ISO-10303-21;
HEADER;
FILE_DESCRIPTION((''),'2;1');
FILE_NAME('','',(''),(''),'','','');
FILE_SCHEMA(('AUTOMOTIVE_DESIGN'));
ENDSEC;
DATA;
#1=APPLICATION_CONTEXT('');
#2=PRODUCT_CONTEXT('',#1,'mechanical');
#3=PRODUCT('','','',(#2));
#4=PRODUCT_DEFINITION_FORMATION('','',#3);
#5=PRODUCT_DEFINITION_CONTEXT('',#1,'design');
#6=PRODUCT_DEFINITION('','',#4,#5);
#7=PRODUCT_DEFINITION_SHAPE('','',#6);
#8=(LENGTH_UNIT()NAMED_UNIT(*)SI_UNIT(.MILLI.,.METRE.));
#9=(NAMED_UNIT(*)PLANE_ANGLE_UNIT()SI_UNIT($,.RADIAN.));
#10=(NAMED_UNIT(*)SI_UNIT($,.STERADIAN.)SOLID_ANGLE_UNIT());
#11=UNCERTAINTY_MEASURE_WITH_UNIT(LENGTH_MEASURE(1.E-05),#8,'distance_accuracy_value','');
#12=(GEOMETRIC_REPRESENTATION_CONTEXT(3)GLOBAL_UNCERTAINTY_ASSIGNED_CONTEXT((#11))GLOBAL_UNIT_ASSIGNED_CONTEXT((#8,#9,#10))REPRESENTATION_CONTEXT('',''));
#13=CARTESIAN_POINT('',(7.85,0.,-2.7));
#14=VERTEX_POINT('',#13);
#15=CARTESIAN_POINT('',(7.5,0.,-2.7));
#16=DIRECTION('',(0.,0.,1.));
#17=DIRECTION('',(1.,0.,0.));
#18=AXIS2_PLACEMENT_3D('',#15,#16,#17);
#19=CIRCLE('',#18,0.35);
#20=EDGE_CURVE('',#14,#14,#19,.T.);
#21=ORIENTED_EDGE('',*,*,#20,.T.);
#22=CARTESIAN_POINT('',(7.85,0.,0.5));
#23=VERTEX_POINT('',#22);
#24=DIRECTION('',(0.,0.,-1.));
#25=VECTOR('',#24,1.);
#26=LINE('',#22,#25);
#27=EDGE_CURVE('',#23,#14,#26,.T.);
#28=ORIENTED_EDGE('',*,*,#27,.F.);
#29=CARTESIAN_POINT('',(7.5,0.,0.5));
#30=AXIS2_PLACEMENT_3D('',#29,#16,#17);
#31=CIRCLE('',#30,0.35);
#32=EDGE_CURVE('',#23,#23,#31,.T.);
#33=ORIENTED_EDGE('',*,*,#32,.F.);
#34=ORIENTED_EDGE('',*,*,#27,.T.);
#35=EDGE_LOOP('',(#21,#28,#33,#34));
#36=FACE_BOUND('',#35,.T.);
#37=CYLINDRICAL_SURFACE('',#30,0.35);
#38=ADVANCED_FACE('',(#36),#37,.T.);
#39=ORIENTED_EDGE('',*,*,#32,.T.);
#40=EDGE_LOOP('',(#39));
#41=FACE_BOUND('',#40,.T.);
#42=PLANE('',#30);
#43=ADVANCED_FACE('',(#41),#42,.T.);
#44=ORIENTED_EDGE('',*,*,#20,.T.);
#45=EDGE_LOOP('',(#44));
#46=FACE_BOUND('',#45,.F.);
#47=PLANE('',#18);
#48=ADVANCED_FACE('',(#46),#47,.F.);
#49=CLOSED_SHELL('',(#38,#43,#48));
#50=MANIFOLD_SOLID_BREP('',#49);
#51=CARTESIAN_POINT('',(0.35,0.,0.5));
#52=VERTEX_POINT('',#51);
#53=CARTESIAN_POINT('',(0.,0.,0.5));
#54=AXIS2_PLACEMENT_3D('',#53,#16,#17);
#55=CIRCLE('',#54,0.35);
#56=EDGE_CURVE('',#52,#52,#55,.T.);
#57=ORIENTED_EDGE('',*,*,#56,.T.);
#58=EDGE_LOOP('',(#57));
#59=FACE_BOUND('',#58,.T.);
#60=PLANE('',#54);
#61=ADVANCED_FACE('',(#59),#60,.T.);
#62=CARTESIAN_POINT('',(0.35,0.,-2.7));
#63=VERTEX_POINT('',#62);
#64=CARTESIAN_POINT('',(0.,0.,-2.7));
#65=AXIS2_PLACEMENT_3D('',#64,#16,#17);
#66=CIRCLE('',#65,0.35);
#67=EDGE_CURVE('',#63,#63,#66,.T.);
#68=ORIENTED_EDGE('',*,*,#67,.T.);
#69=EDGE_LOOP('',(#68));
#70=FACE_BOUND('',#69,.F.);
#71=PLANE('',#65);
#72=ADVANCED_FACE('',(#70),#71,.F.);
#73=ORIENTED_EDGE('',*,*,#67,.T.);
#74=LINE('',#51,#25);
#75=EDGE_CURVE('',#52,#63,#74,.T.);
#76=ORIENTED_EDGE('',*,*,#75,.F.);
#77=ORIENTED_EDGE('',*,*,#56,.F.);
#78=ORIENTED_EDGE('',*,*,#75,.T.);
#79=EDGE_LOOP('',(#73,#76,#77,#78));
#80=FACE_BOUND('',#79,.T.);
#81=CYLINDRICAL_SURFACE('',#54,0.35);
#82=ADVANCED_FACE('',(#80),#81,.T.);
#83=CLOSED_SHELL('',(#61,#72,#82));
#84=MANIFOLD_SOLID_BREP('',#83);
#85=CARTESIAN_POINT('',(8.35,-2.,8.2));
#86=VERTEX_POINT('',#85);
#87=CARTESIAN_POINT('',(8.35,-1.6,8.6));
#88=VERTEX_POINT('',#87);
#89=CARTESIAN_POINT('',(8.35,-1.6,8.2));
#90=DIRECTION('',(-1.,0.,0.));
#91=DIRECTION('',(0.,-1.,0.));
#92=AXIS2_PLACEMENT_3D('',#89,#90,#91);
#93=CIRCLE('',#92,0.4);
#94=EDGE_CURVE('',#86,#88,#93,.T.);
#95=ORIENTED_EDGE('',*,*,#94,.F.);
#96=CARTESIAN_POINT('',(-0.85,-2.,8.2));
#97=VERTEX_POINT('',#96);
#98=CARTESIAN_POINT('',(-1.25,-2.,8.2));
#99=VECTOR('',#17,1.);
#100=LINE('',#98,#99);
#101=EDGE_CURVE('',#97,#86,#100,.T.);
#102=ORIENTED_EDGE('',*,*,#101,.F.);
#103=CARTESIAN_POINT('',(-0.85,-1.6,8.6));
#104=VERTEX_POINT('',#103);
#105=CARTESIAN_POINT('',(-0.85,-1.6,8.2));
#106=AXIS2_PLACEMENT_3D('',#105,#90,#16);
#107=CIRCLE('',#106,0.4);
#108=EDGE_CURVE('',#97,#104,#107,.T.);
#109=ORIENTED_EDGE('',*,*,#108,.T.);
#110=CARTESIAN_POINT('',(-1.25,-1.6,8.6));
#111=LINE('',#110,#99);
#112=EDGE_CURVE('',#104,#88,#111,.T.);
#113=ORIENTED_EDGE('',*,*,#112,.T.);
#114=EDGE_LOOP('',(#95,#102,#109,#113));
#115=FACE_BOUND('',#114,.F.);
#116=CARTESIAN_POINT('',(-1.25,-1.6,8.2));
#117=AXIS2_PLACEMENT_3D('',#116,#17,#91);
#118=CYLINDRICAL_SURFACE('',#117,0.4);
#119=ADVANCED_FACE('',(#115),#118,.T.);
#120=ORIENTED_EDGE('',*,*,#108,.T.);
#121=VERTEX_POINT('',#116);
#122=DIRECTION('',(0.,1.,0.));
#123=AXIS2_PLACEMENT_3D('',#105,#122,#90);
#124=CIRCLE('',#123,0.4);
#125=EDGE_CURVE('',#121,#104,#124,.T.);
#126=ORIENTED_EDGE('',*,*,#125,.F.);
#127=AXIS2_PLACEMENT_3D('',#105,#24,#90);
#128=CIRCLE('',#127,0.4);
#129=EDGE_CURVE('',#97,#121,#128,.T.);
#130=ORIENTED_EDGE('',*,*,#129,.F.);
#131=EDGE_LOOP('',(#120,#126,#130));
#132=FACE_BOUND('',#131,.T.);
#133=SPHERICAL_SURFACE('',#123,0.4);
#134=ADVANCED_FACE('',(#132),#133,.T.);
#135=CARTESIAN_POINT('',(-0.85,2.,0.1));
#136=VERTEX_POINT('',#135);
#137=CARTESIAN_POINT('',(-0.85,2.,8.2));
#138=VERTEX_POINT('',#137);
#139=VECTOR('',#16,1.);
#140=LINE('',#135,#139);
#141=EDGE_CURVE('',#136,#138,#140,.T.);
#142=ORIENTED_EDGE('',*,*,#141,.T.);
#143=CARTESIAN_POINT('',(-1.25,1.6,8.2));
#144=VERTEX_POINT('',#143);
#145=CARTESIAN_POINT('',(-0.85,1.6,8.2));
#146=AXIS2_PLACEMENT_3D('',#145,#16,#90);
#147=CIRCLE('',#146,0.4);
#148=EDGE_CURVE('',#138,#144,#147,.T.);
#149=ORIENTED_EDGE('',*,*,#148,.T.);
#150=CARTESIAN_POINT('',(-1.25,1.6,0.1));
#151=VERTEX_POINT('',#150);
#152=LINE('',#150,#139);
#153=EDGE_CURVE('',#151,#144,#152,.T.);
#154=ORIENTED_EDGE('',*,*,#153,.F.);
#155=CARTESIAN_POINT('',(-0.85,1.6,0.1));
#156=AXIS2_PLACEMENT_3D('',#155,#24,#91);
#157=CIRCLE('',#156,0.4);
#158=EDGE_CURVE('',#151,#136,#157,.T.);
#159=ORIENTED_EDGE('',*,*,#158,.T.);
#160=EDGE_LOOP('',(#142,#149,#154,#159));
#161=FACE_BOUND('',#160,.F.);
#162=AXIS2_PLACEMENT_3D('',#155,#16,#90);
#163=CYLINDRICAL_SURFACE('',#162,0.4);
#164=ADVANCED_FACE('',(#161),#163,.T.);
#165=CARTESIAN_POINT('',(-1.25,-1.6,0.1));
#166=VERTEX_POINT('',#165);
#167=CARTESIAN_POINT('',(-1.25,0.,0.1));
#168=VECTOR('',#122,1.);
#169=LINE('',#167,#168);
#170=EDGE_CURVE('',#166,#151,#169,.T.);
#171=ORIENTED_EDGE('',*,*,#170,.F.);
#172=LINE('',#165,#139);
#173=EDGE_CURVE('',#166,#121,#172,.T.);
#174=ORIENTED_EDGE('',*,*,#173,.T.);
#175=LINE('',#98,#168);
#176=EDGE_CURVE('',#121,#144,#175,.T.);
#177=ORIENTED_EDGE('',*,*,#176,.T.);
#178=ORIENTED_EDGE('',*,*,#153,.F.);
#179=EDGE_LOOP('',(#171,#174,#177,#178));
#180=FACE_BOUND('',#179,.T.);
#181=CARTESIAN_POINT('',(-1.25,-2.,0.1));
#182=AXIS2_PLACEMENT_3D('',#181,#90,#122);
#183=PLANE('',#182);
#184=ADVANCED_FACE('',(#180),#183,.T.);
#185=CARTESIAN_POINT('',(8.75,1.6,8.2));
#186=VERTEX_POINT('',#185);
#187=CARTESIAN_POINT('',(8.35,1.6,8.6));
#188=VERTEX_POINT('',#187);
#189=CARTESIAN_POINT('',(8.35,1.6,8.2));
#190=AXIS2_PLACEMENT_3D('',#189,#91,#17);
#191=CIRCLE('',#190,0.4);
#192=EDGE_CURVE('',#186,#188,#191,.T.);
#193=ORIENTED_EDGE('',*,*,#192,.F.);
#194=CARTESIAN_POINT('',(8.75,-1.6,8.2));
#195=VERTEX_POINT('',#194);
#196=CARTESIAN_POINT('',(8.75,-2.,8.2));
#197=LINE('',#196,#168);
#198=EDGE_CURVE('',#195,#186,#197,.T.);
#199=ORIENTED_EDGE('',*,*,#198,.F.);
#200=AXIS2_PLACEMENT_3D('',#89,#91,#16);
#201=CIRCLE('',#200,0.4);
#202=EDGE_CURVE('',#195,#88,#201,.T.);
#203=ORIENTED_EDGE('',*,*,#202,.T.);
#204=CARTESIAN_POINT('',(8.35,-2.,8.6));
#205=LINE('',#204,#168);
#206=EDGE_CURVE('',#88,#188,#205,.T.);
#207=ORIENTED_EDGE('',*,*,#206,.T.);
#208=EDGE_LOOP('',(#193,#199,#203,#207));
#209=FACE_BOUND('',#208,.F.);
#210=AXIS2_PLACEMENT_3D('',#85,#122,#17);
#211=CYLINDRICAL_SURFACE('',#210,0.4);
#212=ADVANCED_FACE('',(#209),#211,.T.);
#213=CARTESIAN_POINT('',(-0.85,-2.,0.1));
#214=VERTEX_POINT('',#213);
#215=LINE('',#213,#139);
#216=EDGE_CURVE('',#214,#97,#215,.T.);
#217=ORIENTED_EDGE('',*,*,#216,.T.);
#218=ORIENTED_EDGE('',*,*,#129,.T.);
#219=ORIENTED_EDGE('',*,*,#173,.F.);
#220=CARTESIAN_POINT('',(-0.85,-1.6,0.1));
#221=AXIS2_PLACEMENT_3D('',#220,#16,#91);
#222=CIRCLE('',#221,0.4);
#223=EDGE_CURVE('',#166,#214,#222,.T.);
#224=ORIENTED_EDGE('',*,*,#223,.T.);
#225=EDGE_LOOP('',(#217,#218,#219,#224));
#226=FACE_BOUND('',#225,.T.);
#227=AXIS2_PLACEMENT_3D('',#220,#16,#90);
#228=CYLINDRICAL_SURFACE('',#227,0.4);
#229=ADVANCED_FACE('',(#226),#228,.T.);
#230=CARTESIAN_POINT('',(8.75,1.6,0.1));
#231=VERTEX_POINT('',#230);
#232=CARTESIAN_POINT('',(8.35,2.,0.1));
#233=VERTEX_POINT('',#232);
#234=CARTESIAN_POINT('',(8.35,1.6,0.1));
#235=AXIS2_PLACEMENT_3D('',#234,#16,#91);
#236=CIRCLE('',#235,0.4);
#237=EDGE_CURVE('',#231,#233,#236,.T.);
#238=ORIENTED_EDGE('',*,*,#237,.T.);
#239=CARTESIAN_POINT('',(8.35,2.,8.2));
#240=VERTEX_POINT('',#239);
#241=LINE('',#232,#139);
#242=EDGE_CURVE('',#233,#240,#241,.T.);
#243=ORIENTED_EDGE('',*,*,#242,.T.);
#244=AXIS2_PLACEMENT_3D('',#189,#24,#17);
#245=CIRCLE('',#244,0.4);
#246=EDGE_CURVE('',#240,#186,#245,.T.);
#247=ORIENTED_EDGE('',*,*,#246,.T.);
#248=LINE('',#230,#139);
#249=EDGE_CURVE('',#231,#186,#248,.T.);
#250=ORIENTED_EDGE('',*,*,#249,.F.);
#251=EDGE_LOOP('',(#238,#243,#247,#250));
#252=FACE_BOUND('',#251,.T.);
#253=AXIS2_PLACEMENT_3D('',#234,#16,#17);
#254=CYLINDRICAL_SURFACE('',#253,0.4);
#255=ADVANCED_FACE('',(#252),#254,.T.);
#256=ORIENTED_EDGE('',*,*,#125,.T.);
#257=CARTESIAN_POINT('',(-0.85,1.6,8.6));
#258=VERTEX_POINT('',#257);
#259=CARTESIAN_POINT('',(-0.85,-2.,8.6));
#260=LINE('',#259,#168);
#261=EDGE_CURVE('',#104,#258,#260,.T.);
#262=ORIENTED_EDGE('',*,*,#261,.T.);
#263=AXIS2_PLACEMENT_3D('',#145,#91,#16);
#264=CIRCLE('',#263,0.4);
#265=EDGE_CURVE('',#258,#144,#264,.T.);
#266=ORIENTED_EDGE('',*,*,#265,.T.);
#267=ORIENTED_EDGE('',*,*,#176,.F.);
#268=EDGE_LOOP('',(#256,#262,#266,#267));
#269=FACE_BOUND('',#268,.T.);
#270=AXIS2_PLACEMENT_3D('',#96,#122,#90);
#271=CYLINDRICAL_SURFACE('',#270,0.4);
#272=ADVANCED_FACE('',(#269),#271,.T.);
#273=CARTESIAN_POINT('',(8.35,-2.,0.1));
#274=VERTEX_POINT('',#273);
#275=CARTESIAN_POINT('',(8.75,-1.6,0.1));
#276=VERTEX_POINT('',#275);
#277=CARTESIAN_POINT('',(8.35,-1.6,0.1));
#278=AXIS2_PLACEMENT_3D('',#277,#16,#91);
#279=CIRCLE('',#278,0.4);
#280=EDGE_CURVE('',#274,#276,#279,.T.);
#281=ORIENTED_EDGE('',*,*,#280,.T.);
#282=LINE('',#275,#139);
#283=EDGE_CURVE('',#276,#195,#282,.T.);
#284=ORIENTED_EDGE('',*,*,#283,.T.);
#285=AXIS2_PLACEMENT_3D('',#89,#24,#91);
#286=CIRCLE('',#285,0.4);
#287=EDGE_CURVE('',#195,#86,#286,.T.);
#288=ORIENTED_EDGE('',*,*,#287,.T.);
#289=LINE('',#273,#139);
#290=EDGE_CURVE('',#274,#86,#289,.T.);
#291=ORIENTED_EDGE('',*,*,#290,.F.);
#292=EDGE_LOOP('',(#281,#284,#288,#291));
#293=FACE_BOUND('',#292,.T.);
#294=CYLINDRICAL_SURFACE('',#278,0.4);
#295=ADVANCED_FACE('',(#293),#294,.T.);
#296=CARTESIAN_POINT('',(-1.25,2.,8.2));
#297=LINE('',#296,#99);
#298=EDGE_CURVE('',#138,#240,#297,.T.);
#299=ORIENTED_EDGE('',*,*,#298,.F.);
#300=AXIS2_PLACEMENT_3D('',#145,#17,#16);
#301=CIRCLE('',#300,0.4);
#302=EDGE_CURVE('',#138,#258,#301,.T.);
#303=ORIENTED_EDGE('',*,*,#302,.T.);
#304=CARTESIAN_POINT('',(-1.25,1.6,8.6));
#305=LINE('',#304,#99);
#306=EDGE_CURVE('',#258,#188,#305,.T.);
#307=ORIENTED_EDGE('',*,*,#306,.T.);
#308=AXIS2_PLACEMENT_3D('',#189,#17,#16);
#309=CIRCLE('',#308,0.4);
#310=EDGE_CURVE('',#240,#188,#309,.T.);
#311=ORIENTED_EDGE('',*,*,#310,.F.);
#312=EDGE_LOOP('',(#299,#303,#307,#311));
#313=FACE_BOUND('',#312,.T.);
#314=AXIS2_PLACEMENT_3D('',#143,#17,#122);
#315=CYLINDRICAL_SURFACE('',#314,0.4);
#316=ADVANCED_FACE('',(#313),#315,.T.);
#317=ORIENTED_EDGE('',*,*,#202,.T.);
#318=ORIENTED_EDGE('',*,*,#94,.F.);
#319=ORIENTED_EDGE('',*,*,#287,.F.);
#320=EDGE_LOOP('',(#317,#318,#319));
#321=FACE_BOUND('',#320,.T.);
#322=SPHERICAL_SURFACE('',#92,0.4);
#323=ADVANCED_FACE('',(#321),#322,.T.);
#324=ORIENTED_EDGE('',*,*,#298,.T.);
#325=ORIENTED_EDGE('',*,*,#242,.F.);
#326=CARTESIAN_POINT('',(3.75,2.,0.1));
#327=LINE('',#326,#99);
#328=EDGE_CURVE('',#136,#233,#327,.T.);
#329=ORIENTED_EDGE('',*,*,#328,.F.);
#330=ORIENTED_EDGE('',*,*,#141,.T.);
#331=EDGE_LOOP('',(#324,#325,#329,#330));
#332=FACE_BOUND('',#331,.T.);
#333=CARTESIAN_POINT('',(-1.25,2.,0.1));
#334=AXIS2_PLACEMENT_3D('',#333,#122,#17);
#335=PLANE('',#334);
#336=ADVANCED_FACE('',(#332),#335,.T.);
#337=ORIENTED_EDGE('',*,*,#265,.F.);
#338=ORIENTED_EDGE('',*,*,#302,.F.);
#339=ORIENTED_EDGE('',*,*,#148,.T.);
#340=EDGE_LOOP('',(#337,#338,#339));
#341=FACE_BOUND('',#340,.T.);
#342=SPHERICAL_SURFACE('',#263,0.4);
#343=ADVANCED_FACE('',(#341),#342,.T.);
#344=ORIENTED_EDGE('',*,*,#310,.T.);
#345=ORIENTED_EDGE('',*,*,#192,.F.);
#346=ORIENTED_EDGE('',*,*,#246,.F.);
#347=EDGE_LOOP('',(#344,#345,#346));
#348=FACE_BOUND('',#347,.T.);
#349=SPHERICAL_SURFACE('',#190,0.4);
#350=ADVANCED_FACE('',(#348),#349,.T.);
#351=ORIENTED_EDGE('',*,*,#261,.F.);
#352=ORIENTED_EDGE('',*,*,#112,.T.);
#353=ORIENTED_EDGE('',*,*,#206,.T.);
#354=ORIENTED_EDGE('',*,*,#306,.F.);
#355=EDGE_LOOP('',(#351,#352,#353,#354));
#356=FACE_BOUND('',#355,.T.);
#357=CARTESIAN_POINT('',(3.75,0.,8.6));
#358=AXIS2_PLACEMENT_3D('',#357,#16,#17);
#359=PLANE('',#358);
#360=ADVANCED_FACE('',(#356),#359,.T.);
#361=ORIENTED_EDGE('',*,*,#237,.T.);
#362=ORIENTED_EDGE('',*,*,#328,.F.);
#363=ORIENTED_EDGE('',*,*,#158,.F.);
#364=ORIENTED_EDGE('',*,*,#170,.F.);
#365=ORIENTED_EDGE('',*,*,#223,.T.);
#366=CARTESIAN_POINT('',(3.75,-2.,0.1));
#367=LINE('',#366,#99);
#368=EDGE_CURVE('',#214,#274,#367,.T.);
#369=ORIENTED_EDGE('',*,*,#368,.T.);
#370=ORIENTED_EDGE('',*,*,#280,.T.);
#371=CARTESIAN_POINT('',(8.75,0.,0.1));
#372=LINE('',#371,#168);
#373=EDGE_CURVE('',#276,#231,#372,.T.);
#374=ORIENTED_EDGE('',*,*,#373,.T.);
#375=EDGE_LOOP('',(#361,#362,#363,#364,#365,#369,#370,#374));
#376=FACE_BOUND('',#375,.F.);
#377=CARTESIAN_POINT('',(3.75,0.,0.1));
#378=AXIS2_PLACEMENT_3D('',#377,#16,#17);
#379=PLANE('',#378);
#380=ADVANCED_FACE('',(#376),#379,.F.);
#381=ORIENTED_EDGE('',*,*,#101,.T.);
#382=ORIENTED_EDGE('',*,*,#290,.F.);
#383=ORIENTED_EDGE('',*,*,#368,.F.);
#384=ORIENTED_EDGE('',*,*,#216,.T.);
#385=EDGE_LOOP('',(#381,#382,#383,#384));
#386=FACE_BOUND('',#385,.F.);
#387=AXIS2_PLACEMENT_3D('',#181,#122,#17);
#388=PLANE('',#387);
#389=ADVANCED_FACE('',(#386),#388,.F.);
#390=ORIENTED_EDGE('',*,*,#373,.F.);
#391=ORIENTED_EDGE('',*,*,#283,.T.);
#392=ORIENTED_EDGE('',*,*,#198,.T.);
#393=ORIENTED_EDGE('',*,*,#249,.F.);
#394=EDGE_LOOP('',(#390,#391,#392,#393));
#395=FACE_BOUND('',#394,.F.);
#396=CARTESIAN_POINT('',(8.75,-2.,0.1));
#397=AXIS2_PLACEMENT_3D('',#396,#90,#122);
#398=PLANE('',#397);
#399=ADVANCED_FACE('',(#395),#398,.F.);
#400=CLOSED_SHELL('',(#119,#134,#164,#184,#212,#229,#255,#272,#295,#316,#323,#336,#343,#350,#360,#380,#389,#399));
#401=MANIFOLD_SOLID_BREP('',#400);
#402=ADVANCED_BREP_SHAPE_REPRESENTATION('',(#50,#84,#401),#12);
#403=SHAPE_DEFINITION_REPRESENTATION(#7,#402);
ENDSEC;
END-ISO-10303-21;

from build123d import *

# Parameters (mm, degrees)
SKETCH_W     = 10
SKETCH_H     = 4
PAD_DEPTH    = 8.5
FILLET_R     = 0.4
SKETCH001_R  = 0.35
PAD001_DEPTH = 3.2


with BuildPart() as fillet_body:
    # Sketch → Pad (new body)
    with BuildSketch(Plane.XY.offset(0.1)):
        with Locations((3.75, 0)):
            Rectangle(SKETCH_W, SKETCH_H)
    extrude(amount=PAD_DEPTH)

    # Fillet
    fillet_edges = [fillet_body.edges().sort_by_distance(p)[0] for p in [
        (-1.25, 0, 8.6),
        (-1.25, -2, 4.35),
        (3.75, -2, 8.6),
        (8.75, -2, 4.35),
        (8.75, 0, 8.6),
        (8.75, 2, 4.35),
        (3.75, 2, 8.6),
        (-1.25, 2, 4.35),
    ]]
    fillet(fillet_edges, radius=FILLET_R)


with BuildPart() as pad001:
    # Sketch001 → Pad001 (new body)
    with BuildSketch(Plane.XY.offset(0.5)):
        Circle(SKETCH001_R)
        with Locations((7.5, 0)):
            Circle(SKETCH001_R)
    extrude(amount=-PAD001_DEPTH)


solid = Compound([fillet_body.part, pad001.part])
